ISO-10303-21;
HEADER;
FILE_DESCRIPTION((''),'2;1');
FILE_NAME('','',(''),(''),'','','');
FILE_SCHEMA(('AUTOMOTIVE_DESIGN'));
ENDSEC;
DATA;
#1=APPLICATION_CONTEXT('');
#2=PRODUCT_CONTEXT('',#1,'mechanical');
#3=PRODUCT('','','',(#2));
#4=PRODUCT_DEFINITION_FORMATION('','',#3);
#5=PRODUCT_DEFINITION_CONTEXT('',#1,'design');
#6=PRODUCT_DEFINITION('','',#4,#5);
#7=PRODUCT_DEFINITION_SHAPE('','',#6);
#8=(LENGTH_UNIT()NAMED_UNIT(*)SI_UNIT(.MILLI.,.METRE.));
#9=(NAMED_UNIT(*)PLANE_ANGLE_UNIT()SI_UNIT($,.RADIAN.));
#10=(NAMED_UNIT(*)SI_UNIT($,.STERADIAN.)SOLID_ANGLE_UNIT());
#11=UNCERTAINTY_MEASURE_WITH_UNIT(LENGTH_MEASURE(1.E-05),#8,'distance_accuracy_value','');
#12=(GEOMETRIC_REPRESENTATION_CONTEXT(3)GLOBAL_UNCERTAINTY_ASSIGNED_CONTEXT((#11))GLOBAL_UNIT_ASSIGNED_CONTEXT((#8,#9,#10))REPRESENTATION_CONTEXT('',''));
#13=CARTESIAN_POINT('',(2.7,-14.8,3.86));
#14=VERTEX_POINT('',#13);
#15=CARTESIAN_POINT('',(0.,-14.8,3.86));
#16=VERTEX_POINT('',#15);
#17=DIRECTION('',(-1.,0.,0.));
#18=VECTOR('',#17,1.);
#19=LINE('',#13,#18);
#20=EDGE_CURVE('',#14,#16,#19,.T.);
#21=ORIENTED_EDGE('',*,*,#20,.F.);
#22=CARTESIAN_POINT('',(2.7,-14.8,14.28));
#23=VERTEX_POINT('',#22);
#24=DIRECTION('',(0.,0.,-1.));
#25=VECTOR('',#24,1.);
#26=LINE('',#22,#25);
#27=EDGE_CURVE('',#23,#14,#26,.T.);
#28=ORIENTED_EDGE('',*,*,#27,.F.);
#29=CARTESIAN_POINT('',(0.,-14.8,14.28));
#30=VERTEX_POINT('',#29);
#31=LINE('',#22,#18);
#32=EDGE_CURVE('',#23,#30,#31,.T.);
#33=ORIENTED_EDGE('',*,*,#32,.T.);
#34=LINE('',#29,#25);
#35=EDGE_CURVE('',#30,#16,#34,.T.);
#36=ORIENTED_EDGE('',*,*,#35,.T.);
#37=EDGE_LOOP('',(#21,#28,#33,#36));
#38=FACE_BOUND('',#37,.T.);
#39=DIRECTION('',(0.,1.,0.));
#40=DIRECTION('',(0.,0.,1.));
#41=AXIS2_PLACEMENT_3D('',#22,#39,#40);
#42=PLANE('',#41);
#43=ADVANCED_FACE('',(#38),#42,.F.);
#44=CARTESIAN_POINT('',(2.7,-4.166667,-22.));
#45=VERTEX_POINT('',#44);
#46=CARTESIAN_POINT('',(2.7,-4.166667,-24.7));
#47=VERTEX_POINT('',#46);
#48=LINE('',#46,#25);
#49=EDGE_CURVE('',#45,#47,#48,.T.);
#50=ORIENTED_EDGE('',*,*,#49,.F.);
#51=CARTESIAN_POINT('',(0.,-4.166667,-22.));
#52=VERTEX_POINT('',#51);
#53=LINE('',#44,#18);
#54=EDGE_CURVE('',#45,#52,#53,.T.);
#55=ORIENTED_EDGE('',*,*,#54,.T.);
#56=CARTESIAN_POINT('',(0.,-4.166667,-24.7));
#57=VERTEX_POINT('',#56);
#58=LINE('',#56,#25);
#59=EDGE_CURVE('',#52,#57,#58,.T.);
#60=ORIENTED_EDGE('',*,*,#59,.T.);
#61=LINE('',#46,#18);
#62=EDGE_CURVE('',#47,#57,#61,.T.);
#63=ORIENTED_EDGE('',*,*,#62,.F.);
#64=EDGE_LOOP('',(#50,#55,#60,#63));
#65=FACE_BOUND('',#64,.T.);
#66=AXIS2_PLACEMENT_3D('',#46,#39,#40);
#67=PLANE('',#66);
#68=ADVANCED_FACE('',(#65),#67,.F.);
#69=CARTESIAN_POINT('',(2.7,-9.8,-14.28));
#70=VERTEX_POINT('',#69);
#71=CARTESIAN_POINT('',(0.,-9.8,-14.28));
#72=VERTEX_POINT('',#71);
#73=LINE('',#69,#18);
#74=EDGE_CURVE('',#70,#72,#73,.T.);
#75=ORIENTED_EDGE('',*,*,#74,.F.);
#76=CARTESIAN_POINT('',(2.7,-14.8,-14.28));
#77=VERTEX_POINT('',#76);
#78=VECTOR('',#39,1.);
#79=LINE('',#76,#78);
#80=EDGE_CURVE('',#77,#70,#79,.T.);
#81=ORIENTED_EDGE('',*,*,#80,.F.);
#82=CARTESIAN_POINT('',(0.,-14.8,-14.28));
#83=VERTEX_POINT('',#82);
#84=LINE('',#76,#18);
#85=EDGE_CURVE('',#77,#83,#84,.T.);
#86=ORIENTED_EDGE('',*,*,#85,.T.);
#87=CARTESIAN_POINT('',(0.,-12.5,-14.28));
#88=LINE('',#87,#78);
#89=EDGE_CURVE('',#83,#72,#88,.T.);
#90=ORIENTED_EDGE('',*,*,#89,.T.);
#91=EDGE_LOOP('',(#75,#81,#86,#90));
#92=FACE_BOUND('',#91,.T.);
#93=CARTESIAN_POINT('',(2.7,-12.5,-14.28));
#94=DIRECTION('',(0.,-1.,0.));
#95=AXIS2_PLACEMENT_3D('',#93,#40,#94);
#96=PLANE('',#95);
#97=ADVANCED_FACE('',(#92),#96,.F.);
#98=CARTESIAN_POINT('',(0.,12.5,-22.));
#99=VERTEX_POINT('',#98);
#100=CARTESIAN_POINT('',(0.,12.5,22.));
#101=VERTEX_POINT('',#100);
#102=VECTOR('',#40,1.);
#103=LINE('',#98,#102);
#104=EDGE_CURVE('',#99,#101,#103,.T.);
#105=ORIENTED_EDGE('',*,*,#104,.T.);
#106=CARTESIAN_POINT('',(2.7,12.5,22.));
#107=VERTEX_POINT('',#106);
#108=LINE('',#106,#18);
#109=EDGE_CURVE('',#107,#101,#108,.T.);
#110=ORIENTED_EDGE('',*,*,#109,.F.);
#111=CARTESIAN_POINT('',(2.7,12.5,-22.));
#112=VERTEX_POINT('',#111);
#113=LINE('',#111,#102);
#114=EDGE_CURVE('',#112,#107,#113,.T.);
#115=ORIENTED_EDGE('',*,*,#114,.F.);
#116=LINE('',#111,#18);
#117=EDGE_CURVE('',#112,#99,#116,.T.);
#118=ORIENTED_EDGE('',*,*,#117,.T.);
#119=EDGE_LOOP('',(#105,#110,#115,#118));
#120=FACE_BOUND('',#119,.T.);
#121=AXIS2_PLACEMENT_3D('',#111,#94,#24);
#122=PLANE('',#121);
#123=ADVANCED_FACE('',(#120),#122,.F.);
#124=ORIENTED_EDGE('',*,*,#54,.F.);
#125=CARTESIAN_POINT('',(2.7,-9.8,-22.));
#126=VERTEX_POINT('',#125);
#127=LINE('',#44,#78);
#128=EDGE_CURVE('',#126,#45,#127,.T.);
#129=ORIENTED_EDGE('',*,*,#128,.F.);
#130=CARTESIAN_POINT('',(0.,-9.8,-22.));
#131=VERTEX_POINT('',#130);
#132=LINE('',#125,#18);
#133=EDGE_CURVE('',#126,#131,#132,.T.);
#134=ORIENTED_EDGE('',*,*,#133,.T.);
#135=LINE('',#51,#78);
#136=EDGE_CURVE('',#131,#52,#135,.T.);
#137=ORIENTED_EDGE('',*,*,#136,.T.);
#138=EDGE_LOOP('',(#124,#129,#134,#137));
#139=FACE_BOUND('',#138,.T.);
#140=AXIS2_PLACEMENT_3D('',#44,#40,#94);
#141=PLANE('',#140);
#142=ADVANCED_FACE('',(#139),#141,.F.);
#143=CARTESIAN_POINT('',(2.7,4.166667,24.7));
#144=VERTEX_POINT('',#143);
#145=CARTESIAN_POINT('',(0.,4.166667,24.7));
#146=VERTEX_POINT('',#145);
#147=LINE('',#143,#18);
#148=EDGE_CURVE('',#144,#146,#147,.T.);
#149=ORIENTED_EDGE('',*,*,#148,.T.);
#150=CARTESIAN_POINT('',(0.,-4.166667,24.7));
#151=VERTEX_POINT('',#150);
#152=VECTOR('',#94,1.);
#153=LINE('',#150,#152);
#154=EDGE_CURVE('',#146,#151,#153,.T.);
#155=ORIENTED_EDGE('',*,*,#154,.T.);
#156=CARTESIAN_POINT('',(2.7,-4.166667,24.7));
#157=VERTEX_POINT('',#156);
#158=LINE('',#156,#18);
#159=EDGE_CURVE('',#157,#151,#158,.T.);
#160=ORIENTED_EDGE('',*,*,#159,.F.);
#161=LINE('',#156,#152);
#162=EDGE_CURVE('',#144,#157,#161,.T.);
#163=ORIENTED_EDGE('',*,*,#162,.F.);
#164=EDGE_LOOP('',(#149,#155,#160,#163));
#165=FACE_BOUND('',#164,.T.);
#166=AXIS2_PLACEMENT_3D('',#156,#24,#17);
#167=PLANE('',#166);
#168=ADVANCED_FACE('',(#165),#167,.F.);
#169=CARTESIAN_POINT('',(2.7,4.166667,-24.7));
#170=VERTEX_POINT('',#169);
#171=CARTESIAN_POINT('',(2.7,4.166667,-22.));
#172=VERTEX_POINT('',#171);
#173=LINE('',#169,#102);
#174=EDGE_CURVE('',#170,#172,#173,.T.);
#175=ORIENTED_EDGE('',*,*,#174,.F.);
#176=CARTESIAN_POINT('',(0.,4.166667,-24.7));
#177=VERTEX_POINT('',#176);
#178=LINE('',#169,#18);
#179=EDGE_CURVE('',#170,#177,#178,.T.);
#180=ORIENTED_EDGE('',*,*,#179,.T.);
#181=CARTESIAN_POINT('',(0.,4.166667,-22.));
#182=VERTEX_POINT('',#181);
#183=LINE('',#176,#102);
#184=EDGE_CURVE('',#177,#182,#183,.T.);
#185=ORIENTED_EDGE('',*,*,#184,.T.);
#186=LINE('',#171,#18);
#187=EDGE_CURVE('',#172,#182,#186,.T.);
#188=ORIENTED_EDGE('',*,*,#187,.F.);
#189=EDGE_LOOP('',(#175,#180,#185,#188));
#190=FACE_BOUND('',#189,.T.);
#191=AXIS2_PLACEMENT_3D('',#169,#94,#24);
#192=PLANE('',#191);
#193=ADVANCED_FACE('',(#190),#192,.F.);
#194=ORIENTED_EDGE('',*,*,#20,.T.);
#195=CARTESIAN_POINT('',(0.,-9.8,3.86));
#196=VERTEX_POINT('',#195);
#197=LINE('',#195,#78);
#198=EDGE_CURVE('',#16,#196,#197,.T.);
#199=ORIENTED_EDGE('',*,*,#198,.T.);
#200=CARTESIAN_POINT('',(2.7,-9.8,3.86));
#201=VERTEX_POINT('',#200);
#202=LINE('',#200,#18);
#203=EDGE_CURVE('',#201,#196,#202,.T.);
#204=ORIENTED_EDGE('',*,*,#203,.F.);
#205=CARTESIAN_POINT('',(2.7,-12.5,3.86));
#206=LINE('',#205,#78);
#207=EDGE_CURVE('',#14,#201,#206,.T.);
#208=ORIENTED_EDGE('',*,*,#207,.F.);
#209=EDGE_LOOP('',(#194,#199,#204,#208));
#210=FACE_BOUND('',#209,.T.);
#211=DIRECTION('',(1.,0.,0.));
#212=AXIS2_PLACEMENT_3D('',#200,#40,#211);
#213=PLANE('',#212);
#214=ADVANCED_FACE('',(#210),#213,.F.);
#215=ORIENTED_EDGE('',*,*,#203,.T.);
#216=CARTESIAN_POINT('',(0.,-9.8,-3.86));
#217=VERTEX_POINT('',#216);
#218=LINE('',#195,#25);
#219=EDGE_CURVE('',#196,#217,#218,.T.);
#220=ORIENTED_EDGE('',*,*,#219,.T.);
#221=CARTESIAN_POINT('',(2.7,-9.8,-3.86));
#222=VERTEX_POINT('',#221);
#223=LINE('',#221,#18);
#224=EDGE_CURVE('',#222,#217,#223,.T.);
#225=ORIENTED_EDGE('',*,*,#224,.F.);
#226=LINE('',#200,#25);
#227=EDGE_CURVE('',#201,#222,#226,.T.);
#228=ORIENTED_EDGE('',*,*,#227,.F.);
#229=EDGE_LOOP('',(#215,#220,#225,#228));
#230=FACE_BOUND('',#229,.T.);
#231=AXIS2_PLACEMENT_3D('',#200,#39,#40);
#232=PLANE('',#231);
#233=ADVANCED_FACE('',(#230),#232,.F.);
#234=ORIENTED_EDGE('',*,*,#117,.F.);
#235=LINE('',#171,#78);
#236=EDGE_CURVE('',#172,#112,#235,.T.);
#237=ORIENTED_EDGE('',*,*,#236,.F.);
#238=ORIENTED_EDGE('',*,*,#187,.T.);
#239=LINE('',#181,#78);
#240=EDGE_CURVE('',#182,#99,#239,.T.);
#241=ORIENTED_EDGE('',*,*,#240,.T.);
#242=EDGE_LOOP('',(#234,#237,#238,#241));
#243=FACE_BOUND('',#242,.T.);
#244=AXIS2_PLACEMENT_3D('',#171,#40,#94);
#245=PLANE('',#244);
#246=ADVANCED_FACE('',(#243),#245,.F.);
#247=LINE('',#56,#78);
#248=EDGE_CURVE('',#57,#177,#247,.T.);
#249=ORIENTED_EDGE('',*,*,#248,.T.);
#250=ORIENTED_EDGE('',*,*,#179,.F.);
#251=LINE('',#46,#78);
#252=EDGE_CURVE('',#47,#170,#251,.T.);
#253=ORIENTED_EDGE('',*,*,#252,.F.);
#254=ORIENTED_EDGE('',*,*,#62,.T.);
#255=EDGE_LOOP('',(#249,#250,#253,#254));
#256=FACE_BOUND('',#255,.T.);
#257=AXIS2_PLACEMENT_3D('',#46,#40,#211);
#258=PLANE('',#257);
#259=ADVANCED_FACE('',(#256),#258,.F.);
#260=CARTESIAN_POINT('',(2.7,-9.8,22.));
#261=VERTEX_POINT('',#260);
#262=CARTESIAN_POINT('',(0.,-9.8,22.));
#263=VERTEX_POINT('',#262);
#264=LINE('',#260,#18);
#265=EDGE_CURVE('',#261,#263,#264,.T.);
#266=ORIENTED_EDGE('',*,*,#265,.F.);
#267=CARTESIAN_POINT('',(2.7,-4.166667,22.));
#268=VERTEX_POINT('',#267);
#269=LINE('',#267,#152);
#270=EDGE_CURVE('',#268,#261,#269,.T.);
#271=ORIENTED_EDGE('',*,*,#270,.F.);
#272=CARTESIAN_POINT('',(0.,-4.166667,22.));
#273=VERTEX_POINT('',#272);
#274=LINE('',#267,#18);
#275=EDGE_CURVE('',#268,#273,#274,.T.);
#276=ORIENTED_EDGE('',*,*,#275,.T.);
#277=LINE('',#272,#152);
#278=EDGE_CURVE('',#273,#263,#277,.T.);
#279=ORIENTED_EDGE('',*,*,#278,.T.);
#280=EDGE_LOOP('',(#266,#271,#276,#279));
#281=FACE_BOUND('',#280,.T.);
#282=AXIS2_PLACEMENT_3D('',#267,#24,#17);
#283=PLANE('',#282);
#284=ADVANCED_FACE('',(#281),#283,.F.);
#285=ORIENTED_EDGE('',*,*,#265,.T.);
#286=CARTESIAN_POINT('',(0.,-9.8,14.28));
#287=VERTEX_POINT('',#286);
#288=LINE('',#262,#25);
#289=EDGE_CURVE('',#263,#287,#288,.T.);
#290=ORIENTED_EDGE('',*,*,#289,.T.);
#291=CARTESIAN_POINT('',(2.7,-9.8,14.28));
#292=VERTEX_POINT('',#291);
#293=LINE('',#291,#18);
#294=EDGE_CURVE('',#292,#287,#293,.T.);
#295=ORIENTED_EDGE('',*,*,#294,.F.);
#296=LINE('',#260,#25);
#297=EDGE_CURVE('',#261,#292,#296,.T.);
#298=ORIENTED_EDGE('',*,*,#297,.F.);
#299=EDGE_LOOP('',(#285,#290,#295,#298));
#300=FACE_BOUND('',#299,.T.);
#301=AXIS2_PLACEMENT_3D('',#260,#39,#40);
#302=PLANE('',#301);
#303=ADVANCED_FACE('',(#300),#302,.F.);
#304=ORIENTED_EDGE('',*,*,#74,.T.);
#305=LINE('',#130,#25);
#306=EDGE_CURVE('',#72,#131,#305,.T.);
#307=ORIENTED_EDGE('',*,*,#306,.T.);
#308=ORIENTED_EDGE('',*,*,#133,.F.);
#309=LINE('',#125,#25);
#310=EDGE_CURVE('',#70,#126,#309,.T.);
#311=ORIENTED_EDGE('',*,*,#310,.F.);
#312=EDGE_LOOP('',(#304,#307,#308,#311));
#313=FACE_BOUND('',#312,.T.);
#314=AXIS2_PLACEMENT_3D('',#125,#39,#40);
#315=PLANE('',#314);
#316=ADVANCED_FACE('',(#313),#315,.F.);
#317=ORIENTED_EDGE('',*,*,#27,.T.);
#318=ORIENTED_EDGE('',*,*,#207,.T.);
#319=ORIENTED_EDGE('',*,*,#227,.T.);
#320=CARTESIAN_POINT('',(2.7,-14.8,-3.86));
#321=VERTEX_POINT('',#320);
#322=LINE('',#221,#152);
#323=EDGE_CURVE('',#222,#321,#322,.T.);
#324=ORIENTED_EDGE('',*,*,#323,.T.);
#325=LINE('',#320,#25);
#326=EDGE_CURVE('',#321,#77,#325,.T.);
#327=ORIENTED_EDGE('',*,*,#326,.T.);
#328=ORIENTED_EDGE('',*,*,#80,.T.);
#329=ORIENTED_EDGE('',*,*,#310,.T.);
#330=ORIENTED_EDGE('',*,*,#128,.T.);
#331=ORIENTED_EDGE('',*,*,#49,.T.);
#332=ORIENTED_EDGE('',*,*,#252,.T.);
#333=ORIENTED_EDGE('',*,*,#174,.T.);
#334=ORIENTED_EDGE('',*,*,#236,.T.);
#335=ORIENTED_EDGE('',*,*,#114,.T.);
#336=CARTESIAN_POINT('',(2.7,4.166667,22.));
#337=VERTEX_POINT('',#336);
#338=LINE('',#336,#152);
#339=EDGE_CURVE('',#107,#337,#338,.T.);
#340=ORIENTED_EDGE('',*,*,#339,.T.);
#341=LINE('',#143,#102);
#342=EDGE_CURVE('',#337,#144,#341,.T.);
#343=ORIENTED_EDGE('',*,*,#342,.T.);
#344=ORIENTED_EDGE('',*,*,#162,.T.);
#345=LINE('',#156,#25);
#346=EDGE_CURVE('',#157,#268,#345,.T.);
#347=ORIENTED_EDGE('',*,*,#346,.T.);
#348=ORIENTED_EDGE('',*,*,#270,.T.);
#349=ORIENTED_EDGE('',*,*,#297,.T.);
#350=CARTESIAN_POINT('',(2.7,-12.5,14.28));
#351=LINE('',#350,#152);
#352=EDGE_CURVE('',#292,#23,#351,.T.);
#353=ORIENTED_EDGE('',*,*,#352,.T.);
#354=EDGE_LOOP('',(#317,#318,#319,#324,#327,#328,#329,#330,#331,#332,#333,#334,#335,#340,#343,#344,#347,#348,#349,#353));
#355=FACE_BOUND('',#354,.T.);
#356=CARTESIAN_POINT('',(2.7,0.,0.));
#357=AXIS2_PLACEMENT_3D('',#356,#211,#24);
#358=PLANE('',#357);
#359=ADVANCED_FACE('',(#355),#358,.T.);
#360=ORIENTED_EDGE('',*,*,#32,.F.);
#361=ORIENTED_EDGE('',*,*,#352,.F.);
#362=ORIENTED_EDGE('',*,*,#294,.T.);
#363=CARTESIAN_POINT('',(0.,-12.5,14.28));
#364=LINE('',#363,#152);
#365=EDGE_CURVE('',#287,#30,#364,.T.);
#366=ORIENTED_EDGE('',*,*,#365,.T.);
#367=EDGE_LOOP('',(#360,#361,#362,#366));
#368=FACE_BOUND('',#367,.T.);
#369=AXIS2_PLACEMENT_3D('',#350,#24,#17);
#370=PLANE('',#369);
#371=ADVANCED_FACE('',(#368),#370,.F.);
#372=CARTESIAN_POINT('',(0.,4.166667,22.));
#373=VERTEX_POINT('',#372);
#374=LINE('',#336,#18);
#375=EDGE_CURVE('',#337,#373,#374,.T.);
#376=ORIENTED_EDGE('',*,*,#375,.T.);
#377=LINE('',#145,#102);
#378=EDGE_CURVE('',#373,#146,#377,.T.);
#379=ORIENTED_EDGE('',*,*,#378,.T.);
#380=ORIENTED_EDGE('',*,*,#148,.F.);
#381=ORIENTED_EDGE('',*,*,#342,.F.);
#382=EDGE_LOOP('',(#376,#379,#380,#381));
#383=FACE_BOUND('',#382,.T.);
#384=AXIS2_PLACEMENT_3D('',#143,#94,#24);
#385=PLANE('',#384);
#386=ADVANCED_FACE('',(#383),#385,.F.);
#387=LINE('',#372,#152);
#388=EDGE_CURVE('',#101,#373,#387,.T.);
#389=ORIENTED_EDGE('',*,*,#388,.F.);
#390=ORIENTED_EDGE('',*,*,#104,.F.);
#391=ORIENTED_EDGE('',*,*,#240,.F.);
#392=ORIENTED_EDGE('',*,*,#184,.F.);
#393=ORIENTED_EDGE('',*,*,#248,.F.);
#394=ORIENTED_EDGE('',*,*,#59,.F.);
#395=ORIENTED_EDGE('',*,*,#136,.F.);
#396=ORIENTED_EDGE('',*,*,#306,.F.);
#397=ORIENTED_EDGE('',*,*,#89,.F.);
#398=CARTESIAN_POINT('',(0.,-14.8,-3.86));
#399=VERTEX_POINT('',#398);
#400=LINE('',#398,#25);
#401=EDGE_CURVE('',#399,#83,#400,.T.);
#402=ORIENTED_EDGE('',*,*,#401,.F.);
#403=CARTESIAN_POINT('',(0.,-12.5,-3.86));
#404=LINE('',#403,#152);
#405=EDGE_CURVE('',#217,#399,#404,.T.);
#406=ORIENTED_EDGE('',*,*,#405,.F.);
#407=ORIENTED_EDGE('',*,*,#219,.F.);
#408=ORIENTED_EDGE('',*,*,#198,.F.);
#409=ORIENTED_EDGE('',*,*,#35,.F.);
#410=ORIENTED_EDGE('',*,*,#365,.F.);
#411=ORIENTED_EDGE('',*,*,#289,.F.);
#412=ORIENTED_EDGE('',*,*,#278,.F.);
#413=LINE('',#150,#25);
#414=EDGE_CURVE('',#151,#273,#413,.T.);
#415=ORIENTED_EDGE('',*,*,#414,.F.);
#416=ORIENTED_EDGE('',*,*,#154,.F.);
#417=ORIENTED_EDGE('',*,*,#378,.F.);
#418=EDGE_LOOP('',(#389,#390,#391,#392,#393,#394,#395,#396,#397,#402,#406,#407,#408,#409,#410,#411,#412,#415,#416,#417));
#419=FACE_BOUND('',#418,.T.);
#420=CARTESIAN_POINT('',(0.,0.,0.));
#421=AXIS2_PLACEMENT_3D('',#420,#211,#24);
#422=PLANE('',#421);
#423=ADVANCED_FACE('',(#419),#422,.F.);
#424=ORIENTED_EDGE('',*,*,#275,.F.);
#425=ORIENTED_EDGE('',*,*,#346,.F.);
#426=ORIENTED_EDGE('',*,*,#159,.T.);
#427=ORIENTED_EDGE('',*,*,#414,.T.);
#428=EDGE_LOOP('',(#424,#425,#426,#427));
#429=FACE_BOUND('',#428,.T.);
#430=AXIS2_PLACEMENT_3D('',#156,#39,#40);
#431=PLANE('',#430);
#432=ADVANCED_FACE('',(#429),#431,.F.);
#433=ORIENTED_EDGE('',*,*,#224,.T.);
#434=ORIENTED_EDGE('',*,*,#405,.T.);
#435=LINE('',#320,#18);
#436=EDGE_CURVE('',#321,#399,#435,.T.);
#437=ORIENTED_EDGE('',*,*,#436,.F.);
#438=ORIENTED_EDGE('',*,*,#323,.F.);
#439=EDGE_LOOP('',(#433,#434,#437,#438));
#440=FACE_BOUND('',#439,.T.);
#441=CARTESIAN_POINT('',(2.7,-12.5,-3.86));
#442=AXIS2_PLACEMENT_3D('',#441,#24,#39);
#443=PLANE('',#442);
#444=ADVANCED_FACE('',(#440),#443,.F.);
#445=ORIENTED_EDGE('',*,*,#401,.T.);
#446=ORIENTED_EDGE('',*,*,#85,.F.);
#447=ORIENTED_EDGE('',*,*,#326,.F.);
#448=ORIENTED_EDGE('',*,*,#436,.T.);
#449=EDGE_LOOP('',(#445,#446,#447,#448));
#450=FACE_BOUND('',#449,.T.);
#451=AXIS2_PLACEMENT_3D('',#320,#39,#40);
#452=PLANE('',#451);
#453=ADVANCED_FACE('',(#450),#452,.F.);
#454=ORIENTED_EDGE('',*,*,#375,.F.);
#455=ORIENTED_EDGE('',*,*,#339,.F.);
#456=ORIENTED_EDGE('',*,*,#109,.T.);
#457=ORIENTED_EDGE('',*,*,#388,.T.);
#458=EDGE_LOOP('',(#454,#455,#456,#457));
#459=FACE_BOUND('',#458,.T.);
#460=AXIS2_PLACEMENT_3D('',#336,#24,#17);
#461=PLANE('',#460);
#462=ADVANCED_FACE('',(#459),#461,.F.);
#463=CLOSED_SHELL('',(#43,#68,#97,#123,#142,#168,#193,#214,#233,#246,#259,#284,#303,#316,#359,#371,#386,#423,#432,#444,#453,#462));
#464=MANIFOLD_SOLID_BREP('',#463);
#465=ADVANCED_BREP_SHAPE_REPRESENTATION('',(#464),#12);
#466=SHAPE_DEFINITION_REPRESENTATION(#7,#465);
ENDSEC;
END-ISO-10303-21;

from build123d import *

# Parameters (mm, degrees)
BOSS_EXTRUDE2_DEPTH = 2.7


with BuildPart() as part:
    # Sketch1 → Boss-Extrude2 (new body)
    with BuildSketch(Plane(origin=(0, 0, 0), x_dir=(0, 0, -1), z_dir=(1, 0, 0))):
        Polygon((-24.7, -4.166666667), (-24.7, 4.166666667), (-22, 4.166666667), (-22, 12.5), (22, 12.5), (22, 4.166666667), (24.7, 4.166666667), (24.7, -4.166666667), (22, -4.166666667), (22, -9.8), (14.28, -9.8), (14.28, -12.5), (14.28, -14.8), (3.86, -14.8), (3.86, -12.5), (3.86, -9.8), (-3.86, -9.8), (-3.86, -12.5), (-3.86, -14.8), (-14.28, -14.8), (-14.28, -12.5), (-14.28, -9.8), (-22, -9.8), (-22, -4.166666667), align=None)
    extrude(amount=BOSS_EXTRUDE2_DEPTH)


solid = part.part
